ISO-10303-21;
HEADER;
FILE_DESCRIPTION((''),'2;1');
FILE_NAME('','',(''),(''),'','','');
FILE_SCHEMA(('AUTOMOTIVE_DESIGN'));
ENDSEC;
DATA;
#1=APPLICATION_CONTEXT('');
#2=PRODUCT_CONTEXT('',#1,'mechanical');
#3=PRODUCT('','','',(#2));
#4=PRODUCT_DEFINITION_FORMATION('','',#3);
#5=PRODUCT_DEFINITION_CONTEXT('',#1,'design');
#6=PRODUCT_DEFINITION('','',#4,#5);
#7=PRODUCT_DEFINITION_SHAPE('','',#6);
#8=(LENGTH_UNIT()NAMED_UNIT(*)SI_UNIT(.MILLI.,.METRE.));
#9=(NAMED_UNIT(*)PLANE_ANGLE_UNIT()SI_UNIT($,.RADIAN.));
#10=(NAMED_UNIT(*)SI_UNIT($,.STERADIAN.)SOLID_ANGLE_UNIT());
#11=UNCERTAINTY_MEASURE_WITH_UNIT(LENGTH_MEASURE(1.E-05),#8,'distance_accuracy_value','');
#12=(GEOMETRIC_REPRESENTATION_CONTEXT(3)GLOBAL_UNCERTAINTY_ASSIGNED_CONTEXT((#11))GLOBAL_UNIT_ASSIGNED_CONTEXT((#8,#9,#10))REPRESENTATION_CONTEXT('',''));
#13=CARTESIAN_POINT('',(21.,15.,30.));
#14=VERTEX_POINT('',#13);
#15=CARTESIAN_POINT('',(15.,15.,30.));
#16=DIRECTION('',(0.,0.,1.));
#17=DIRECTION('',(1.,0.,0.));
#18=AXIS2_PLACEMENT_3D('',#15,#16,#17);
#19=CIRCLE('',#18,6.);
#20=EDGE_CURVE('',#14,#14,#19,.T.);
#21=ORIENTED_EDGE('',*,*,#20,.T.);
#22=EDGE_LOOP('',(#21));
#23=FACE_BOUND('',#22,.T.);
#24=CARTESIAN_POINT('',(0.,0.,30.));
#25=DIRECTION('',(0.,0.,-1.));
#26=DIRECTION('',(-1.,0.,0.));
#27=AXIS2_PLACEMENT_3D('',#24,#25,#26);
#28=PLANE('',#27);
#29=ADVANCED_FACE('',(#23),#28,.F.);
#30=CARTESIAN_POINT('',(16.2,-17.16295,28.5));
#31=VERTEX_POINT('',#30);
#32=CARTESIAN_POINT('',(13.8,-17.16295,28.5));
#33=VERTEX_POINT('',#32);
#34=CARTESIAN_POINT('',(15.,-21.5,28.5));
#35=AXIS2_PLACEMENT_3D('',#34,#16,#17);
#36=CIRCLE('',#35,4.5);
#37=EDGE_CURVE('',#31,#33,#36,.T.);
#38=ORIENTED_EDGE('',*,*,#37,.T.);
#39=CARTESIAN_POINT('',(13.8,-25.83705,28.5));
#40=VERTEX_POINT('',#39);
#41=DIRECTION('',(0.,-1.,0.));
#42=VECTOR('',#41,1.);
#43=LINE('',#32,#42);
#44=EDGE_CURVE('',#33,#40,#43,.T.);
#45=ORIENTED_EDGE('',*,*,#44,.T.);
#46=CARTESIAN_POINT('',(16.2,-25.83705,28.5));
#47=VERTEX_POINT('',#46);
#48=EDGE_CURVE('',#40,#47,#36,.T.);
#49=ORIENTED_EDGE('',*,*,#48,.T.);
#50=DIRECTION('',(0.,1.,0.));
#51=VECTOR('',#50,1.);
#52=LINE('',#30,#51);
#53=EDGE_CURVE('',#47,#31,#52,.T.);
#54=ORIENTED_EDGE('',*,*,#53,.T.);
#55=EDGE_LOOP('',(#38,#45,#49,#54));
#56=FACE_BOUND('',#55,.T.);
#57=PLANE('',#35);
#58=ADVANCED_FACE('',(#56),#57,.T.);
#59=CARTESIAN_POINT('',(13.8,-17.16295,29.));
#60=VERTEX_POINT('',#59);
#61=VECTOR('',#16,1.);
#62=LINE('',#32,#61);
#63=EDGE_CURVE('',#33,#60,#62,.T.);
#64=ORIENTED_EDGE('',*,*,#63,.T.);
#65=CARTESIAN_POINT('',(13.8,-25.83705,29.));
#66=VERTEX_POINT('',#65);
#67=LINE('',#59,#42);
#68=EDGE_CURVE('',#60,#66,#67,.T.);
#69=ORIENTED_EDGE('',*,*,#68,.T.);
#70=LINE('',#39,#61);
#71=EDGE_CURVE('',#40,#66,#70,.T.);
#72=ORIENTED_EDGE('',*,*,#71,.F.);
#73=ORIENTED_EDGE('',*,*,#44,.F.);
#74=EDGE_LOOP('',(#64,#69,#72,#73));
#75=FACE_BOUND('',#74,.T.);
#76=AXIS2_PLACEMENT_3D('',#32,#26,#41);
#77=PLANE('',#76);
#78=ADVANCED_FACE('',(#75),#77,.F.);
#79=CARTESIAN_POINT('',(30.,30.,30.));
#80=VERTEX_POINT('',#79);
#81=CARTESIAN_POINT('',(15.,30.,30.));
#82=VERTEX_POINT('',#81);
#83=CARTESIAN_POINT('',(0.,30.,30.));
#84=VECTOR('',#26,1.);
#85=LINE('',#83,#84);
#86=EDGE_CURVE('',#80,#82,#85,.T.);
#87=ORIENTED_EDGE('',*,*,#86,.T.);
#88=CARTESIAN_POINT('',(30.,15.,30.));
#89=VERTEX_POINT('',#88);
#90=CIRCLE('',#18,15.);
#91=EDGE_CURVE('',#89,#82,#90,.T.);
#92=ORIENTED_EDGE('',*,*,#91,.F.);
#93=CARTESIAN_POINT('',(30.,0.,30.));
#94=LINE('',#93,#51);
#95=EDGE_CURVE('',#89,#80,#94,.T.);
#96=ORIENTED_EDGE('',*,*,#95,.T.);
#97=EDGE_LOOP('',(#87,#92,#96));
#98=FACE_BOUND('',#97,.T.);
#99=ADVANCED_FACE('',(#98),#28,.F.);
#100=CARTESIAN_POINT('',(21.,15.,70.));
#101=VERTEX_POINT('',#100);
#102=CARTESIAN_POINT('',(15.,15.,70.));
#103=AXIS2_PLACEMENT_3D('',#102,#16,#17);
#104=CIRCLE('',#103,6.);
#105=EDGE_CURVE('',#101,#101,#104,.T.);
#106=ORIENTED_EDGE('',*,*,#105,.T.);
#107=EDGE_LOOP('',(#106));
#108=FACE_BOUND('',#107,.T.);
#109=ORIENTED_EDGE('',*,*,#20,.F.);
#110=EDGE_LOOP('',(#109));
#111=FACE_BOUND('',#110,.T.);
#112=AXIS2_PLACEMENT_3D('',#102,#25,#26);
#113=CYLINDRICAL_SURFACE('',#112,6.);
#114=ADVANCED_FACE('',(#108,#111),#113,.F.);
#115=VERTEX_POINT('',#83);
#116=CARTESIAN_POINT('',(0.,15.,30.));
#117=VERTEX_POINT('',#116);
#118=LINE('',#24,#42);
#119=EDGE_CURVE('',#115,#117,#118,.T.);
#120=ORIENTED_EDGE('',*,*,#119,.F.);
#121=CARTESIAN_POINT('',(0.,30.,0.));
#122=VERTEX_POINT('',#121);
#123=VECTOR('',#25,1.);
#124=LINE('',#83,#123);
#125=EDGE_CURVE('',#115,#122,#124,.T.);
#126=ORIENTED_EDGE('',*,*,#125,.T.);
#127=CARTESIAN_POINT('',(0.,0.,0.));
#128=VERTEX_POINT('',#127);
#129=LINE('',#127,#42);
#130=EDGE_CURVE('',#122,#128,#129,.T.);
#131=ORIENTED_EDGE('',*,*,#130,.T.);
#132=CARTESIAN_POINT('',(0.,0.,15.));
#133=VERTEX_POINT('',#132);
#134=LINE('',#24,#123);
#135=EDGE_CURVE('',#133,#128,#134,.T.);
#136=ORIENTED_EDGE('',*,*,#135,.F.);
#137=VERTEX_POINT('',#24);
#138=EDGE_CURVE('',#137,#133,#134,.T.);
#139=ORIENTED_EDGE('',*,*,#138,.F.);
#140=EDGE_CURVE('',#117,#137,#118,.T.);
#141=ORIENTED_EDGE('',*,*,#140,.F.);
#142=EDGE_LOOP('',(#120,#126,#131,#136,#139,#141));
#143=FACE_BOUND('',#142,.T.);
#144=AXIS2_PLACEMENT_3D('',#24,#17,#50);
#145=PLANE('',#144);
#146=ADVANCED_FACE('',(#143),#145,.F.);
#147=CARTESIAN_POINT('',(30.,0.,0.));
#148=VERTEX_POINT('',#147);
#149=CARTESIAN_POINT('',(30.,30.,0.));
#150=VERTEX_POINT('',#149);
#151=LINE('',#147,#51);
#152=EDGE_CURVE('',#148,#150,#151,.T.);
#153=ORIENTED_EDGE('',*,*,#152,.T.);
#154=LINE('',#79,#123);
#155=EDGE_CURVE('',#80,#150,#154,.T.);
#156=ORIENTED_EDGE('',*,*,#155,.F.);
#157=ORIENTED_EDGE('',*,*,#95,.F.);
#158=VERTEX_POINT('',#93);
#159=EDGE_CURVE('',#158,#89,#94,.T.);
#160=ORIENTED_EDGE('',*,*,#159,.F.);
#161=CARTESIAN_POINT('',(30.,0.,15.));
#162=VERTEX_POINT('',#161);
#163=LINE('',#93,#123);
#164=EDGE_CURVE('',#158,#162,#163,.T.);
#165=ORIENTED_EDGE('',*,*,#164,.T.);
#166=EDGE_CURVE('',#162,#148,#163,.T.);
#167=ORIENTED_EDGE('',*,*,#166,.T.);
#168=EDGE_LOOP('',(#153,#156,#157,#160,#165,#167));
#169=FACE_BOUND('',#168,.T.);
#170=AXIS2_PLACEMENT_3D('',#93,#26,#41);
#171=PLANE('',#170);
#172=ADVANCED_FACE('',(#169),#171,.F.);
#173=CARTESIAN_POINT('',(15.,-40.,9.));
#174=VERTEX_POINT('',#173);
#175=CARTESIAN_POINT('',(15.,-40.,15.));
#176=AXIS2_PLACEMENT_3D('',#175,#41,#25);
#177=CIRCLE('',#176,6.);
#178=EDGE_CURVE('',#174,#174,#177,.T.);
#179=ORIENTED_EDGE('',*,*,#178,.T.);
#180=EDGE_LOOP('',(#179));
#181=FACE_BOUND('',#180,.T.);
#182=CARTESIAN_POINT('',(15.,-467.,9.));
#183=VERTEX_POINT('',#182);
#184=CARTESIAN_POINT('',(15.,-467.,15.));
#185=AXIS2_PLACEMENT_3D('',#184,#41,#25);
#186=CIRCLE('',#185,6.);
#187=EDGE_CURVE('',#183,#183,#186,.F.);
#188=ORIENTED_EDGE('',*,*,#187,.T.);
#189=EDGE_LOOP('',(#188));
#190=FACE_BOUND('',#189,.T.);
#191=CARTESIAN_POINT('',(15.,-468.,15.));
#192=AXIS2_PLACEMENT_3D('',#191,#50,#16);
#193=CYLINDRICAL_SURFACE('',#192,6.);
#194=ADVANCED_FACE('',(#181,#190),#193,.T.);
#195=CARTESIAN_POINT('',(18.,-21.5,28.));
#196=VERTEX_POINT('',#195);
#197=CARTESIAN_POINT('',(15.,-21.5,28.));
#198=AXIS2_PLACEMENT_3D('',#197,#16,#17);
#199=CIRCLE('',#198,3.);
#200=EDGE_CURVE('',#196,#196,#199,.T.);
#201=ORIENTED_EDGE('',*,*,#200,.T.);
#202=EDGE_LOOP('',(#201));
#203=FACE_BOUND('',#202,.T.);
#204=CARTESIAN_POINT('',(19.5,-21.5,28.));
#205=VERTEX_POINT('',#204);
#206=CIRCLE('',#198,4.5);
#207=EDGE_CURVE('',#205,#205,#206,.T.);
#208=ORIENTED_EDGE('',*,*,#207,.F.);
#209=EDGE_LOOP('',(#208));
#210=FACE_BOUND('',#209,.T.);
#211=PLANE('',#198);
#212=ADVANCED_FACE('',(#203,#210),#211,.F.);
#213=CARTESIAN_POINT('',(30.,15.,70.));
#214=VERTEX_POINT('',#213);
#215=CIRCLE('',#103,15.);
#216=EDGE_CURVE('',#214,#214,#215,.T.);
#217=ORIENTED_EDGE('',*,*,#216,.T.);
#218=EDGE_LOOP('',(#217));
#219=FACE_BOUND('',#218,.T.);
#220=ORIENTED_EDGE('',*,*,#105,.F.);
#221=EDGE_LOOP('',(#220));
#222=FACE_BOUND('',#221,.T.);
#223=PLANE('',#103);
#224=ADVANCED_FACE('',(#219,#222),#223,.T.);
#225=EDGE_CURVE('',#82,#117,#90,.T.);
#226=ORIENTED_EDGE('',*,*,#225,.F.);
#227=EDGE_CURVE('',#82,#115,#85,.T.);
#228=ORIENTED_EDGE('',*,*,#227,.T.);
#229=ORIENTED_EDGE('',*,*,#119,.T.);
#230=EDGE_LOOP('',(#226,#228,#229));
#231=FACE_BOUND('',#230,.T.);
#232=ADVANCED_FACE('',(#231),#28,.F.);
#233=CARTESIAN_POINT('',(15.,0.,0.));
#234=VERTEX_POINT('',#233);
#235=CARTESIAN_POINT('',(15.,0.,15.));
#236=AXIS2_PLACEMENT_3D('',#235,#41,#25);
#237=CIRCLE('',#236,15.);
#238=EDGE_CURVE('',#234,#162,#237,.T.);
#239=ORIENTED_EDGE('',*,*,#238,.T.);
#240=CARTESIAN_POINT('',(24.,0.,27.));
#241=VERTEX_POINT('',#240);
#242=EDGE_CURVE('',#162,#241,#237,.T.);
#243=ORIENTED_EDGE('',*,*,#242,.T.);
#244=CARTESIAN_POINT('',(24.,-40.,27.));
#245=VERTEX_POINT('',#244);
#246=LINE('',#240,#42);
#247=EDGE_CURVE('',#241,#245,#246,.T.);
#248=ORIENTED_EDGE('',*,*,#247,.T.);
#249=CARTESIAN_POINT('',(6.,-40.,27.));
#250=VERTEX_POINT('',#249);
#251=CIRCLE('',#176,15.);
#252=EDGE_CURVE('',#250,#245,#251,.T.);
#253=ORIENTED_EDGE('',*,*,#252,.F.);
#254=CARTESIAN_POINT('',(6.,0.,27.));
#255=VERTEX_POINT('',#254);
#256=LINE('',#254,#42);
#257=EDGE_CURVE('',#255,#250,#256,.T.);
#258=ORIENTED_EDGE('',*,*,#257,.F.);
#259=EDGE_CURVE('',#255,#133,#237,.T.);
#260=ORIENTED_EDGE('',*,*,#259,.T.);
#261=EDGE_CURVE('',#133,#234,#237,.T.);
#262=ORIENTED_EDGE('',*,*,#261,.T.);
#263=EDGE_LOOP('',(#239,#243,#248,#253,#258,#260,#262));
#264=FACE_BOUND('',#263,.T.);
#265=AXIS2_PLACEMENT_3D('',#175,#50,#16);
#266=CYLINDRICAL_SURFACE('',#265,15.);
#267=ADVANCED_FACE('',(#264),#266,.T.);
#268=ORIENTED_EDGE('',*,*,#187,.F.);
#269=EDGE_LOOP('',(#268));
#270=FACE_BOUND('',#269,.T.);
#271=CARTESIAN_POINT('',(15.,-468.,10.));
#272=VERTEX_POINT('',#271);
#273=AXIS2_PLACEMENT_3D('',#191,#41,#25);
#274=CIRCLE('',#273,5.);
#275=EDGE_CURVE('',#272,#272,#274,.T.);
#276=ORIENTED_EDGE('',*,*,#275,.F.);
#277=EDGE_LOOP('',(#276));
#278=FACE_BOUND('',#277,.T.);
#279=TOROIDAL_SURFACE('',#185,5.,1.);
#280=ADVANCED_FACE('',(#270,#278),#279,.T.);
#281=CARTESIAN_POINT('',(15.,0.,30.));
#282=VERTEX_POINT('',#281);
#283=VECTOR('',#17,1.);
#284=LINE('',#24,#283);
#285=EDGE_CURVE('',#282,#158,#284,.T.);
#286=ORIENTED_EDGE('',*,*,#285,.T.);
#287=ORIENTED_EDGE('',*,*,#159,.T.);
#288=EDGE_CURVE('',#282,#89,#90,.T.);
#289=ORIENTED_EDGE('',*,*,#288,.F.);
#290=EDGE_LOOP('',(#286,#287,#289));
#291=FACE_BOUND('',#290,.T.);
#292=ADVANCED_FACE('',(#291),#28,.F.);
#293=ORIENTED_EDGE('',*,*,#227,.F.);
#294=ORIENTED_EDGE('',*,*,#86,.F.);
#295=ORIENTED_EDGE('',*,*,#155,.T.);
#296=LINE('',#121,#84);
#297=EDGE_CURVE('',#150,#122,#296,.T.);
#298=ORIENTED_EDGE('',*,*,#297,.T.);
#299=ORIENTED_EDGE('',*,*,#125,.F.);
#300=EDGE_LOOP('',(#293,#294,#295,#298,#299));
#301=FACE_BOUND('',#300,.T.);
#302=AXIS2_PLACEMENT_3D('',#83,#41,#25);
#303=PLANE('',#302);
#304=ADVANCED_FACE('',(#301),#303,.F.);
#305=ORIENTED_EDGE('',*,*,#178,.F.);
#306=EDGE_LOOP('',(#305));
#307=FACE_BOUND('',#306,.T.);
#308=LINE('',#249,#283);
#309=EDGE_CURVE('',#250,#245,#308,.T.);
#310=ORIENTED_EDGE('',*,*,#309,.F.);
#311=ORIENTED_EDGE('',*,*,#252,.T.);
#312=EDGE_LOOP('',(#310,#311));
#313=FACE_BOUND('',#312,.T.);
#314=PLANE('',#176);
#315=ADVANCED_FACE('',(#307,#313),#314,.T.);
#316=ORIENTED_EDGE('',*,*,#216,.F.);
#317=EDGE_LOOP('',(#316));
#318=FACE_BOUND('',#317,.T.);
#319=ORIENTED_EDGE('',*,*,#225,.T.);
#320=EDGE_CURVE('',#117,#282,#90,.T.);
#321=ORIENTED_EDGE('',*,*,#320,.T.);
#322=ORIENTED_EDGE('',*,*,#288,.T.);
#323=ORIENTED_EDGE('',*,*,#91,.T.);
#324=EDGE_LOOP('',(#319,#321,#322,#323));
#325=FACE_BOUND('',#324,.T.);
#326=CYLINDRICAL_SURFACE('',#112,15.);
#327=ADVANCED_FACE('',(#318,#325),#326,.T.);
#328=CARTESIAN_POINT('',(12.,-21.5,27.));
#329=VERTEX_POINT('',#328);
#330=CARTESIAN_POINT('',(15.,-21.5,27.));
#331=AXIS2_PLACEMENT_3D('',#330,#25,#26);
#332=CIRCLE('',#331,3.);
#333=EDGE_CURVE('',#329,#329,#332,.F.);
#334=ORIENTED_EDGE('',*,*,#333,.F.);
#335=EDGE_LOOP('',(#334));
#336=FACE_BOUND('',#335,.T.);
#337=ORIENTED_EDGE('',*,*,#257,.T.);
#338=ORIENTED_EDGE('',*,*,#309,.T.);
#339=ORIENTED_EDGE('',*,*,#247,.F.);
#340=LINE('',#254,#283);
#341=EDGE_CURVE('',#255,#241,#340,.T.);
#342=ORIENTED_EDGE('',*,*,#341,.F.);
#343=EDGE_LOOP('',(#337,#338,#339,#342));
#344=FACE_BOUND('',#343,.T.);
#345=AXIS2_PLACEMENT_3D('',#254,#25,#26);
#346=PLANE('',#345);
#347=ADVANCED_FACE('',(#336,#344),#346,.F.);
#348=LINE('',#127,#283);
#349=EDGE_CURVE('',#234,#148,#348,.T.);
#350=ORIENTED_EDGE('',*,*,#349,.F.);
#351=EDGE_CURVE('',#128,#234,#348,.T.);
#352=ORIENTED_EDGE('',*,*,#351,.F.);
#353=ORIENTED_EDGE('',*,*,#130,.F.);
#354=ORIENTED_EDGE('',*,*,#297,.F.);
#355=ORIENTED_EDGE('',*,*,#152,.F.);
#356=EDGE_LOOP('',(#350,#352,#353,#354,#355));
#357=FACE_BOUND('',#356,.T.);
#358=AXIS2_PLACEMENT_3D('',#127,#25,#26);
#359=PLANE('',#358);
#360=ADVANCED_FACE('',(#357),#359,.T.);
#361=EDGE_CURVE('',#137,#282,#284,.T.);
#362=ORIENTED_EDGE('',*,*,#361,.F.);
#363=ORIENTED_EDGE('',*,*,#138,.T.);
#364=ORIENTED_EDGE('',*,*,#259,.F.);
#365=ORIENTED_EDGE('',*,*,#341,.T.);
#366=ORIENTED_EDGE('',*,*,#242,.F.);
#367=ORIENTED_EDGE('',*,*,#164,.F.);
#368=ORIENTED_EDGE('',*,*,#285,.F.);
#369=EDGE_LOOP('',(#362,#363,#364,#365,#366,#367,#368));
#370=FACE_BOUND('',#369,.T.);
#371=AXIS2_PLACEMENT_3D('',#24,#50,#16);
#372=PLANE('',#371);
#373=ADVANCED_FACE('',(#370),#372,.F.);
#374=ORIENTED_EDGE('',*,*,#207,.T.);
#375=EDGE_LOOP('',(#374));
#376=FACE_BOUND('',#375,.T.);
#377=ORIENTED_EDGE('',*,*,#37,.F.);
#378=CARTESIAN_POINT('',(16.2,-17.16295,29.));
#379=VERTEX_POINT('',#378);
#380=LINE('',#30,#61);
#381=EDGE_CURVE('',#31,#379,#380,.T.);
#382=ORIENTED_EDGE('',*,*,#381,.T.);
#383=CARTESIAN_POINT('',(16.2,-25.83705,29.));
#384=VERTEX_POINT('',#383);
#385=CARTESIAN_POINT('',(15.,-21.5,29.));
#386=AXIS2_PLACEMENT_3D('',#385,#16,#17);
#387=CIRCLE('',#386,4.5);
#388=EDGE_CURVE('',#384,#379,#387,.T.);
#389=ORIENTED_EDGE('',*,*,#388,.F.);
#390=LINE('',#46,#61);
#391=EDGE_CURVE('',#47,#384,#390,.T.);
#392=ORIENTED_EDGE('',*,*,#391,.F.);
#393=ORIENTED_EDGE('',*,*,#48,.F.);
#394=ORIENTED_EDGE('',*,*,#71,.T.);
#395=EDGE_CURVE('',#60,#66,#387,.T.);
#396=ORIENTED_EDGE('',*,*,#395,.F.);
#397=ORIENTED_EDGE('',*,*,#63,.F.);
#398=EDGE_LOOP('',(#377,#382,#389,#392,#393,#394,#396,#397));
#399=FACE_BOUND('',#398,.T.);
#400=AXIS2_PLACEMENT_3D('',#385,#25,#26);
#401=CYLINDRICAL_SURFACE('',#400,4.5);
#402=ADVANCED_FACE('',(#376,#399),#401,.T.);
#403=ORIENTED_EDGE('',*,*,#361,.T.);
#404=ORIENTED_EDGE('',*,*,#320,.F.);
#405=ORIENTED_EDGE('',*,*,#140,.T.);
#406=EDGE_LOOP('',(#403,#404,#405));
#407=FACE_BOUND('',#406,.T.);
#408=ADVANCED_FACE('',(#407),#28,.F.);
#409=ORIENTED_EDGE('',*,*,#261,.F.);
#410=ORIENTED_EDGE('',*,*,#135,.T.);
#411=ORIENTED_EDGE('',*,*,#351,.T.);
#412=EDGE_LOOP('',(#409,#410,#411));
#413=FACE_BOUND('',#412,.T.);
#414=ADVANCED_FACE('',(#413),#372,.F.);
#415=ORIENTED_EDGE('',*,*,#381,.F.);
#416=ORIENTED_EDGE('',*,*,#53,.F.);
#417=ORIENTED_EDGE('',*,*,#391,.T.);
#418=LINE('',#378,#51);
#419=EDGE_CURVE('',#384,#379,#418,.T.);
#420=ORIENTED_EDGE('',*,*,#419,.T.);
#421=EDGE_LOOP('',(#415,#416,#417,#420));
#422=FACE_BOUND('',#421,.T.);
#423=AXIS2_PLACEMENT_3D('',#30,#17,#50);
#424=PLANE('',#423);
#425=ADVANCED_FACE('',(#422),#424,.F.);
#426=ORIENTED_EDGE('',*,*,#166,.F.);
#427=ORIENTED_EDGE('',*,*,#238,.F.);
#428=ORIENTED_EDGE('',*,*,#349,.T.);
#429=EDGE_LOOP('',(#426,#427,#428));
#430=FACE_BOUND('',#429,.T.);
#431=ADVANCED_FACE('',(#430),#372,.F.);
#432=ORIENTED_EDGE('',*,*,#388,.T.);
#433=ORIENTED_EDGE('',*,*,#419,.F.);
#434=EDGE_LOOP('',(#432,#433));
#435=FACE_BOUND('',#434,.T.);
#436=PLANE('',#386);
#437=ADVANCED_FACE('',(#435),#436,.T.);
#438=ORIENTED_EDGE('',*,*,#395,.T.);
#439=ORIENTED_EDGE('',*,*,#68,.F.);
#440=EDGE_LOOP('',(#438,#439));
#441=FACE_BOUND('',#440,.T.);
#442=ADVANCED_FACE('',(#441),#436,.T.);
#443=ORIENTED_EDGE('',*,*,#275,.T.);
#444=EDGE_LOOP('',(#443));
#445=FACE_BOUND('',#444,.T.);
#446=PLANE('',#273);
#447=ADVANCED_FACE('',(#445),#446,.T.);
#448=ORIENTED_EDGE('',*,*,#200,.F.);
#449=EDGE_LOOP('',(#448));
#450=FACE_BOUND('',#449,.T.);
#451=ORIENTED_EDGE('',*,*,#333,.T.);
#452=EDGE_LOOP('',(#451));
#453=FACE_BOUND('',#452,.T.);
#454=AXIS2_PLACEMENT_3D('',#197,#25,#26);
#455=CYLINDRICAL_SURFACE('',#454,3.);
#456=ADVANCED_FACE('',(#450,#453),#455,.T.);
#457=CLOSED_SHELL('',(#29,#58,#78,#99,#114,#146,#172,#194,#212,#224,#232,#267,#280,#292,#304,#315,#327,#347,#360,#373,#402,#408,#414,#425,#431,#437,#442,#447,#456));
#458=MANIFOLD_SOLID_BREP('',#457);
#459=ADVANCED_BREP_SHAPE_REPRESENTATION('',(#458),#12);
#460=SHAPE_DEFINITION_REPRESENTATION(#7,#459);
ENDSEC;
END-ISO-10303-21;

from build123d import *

# Parameters (mm, degrees)
SKETCH3_W           = 30
SKETCH3_H           = 30
BOSS_EXTRUDE1_DEPTH = 30
SKETCH4_R           = 15
SKETCH4_R_2         = 6
BOSS_EXTRUDE2_DEPTH = 40
SKETCH5_R           = 15
BOSS_EXTRUDE3_DEPTH = 40
CUT_EXTRUDE4_DEPTH  = 40
SKETCH7_R           = 3
BOSS_EXTRUDE4_DEPTH = 1
SKETCH8_R           = 4.5
BOSS_EXTRUDE5_DEPTH = 1
CUT_EXTRUDE5_DEPTH  = 0.5
SKETCH10_R          = 6
BOSS_EXTRUDE6_DEPTH = 428
FILLET1_R           = 1


with BuildPart() as part:
    # Sketch3 → Boss-Extrude1 (new body)
    with BuildSketch(Plane.XY):
        with Locations((15, 15)):
            Rectangle(SKETCH3_W, SKETCH3_H)
    extrude(amount=BOSS_EXTRUDE1_DEPTH)

    # Sketch4 → Boss-Extrude2 (add)
    with BuildSketch(Plane.XY.offset(30)):
        with Locations((15, 15)):
            Circle(SKETCH4_R)
        with Locations((15, 15)):
            Circle(SKETCH4_R_2, mode=Mode.SUBTRACT)
    extrude(amount=BOSS_EXTRUDE2_DEPTH)

    # Sketch5 → Boss-Extrude3 (add)
    with BuildSketch(Plane.XZ):
        with Locations((15, 15)):
            Circle(SKETCH5_R)
    extrude(amount=BOSS_EXTRUDE3_DEPTH)

    # Sketch6 → Cut-Extrude4 (cut)
    with BuildSketch(Plane.XZ.offset(40)):
        with BuildLine():
            Line((6, 27), (24, 27))
            ThreePointArc((24, 27), (15, 30), (6, 27))
        make_face()
    extrude(amount=-CUT_EXTRUDE4_DEPTH, mode=Mode.SUBTRACT)

    # Sketch7 → Boss-Extrude4 (add)
    with BuildSketch(Plane.XY.offset(27)):
        with Locations((15, -21.5)):
            Circle(SKETCH7_R)
    extrude(amount=BOSS_EXTRUDE4_DEPTH)

    # Sketch8 → Boss-Extrude5 (add)
    with BuildSketch(Plane.XY.offset(28)):
        with Locations((15, -21.5)):
            Circle(SKETCH8_R)
    extrude(amount=BOSS_EXTRUDE5_DEPTH)

    # Sketch9 → Cut-Extrude5 (cut)
    with BuildSketch(Plane.XY.offset(29)):
        with BuildLine():
            Line((16.2, -17.162950312), (16.2, -25.837049688))
            ThreePointArc((16.2, -25.837049688), (15, -26), (13.8, -25.837049688))
            Line((13.8, -25.837049688), (13.8, -17.162950312))
            ThreePointArc((13.8, -17.162950312), (15, -17), (16.2, -17.162950312))
        make_face()
    extrude(amount=-CUT_EXTRUDE5_DEPTH, mode=Mode.SUBTRACT)

    # Sketch10 → Boss-Extrude6 (add)
    with BuildSketch(Plane.XZ.offset(40)):
        with Locations((15, 15)):
            Circle(SKETCH10_R)
    extrude(amount=BOSS_EXTRUDE6_DEPTH)

    # Fillet1
    fillet1_edges = [part.edges().sort_by_distance(p)[0] for p in [
        (9, -468, 15),
    ]]
    fillet(fillet1_edges, radius=FILLET1_R)


solid = part.part
